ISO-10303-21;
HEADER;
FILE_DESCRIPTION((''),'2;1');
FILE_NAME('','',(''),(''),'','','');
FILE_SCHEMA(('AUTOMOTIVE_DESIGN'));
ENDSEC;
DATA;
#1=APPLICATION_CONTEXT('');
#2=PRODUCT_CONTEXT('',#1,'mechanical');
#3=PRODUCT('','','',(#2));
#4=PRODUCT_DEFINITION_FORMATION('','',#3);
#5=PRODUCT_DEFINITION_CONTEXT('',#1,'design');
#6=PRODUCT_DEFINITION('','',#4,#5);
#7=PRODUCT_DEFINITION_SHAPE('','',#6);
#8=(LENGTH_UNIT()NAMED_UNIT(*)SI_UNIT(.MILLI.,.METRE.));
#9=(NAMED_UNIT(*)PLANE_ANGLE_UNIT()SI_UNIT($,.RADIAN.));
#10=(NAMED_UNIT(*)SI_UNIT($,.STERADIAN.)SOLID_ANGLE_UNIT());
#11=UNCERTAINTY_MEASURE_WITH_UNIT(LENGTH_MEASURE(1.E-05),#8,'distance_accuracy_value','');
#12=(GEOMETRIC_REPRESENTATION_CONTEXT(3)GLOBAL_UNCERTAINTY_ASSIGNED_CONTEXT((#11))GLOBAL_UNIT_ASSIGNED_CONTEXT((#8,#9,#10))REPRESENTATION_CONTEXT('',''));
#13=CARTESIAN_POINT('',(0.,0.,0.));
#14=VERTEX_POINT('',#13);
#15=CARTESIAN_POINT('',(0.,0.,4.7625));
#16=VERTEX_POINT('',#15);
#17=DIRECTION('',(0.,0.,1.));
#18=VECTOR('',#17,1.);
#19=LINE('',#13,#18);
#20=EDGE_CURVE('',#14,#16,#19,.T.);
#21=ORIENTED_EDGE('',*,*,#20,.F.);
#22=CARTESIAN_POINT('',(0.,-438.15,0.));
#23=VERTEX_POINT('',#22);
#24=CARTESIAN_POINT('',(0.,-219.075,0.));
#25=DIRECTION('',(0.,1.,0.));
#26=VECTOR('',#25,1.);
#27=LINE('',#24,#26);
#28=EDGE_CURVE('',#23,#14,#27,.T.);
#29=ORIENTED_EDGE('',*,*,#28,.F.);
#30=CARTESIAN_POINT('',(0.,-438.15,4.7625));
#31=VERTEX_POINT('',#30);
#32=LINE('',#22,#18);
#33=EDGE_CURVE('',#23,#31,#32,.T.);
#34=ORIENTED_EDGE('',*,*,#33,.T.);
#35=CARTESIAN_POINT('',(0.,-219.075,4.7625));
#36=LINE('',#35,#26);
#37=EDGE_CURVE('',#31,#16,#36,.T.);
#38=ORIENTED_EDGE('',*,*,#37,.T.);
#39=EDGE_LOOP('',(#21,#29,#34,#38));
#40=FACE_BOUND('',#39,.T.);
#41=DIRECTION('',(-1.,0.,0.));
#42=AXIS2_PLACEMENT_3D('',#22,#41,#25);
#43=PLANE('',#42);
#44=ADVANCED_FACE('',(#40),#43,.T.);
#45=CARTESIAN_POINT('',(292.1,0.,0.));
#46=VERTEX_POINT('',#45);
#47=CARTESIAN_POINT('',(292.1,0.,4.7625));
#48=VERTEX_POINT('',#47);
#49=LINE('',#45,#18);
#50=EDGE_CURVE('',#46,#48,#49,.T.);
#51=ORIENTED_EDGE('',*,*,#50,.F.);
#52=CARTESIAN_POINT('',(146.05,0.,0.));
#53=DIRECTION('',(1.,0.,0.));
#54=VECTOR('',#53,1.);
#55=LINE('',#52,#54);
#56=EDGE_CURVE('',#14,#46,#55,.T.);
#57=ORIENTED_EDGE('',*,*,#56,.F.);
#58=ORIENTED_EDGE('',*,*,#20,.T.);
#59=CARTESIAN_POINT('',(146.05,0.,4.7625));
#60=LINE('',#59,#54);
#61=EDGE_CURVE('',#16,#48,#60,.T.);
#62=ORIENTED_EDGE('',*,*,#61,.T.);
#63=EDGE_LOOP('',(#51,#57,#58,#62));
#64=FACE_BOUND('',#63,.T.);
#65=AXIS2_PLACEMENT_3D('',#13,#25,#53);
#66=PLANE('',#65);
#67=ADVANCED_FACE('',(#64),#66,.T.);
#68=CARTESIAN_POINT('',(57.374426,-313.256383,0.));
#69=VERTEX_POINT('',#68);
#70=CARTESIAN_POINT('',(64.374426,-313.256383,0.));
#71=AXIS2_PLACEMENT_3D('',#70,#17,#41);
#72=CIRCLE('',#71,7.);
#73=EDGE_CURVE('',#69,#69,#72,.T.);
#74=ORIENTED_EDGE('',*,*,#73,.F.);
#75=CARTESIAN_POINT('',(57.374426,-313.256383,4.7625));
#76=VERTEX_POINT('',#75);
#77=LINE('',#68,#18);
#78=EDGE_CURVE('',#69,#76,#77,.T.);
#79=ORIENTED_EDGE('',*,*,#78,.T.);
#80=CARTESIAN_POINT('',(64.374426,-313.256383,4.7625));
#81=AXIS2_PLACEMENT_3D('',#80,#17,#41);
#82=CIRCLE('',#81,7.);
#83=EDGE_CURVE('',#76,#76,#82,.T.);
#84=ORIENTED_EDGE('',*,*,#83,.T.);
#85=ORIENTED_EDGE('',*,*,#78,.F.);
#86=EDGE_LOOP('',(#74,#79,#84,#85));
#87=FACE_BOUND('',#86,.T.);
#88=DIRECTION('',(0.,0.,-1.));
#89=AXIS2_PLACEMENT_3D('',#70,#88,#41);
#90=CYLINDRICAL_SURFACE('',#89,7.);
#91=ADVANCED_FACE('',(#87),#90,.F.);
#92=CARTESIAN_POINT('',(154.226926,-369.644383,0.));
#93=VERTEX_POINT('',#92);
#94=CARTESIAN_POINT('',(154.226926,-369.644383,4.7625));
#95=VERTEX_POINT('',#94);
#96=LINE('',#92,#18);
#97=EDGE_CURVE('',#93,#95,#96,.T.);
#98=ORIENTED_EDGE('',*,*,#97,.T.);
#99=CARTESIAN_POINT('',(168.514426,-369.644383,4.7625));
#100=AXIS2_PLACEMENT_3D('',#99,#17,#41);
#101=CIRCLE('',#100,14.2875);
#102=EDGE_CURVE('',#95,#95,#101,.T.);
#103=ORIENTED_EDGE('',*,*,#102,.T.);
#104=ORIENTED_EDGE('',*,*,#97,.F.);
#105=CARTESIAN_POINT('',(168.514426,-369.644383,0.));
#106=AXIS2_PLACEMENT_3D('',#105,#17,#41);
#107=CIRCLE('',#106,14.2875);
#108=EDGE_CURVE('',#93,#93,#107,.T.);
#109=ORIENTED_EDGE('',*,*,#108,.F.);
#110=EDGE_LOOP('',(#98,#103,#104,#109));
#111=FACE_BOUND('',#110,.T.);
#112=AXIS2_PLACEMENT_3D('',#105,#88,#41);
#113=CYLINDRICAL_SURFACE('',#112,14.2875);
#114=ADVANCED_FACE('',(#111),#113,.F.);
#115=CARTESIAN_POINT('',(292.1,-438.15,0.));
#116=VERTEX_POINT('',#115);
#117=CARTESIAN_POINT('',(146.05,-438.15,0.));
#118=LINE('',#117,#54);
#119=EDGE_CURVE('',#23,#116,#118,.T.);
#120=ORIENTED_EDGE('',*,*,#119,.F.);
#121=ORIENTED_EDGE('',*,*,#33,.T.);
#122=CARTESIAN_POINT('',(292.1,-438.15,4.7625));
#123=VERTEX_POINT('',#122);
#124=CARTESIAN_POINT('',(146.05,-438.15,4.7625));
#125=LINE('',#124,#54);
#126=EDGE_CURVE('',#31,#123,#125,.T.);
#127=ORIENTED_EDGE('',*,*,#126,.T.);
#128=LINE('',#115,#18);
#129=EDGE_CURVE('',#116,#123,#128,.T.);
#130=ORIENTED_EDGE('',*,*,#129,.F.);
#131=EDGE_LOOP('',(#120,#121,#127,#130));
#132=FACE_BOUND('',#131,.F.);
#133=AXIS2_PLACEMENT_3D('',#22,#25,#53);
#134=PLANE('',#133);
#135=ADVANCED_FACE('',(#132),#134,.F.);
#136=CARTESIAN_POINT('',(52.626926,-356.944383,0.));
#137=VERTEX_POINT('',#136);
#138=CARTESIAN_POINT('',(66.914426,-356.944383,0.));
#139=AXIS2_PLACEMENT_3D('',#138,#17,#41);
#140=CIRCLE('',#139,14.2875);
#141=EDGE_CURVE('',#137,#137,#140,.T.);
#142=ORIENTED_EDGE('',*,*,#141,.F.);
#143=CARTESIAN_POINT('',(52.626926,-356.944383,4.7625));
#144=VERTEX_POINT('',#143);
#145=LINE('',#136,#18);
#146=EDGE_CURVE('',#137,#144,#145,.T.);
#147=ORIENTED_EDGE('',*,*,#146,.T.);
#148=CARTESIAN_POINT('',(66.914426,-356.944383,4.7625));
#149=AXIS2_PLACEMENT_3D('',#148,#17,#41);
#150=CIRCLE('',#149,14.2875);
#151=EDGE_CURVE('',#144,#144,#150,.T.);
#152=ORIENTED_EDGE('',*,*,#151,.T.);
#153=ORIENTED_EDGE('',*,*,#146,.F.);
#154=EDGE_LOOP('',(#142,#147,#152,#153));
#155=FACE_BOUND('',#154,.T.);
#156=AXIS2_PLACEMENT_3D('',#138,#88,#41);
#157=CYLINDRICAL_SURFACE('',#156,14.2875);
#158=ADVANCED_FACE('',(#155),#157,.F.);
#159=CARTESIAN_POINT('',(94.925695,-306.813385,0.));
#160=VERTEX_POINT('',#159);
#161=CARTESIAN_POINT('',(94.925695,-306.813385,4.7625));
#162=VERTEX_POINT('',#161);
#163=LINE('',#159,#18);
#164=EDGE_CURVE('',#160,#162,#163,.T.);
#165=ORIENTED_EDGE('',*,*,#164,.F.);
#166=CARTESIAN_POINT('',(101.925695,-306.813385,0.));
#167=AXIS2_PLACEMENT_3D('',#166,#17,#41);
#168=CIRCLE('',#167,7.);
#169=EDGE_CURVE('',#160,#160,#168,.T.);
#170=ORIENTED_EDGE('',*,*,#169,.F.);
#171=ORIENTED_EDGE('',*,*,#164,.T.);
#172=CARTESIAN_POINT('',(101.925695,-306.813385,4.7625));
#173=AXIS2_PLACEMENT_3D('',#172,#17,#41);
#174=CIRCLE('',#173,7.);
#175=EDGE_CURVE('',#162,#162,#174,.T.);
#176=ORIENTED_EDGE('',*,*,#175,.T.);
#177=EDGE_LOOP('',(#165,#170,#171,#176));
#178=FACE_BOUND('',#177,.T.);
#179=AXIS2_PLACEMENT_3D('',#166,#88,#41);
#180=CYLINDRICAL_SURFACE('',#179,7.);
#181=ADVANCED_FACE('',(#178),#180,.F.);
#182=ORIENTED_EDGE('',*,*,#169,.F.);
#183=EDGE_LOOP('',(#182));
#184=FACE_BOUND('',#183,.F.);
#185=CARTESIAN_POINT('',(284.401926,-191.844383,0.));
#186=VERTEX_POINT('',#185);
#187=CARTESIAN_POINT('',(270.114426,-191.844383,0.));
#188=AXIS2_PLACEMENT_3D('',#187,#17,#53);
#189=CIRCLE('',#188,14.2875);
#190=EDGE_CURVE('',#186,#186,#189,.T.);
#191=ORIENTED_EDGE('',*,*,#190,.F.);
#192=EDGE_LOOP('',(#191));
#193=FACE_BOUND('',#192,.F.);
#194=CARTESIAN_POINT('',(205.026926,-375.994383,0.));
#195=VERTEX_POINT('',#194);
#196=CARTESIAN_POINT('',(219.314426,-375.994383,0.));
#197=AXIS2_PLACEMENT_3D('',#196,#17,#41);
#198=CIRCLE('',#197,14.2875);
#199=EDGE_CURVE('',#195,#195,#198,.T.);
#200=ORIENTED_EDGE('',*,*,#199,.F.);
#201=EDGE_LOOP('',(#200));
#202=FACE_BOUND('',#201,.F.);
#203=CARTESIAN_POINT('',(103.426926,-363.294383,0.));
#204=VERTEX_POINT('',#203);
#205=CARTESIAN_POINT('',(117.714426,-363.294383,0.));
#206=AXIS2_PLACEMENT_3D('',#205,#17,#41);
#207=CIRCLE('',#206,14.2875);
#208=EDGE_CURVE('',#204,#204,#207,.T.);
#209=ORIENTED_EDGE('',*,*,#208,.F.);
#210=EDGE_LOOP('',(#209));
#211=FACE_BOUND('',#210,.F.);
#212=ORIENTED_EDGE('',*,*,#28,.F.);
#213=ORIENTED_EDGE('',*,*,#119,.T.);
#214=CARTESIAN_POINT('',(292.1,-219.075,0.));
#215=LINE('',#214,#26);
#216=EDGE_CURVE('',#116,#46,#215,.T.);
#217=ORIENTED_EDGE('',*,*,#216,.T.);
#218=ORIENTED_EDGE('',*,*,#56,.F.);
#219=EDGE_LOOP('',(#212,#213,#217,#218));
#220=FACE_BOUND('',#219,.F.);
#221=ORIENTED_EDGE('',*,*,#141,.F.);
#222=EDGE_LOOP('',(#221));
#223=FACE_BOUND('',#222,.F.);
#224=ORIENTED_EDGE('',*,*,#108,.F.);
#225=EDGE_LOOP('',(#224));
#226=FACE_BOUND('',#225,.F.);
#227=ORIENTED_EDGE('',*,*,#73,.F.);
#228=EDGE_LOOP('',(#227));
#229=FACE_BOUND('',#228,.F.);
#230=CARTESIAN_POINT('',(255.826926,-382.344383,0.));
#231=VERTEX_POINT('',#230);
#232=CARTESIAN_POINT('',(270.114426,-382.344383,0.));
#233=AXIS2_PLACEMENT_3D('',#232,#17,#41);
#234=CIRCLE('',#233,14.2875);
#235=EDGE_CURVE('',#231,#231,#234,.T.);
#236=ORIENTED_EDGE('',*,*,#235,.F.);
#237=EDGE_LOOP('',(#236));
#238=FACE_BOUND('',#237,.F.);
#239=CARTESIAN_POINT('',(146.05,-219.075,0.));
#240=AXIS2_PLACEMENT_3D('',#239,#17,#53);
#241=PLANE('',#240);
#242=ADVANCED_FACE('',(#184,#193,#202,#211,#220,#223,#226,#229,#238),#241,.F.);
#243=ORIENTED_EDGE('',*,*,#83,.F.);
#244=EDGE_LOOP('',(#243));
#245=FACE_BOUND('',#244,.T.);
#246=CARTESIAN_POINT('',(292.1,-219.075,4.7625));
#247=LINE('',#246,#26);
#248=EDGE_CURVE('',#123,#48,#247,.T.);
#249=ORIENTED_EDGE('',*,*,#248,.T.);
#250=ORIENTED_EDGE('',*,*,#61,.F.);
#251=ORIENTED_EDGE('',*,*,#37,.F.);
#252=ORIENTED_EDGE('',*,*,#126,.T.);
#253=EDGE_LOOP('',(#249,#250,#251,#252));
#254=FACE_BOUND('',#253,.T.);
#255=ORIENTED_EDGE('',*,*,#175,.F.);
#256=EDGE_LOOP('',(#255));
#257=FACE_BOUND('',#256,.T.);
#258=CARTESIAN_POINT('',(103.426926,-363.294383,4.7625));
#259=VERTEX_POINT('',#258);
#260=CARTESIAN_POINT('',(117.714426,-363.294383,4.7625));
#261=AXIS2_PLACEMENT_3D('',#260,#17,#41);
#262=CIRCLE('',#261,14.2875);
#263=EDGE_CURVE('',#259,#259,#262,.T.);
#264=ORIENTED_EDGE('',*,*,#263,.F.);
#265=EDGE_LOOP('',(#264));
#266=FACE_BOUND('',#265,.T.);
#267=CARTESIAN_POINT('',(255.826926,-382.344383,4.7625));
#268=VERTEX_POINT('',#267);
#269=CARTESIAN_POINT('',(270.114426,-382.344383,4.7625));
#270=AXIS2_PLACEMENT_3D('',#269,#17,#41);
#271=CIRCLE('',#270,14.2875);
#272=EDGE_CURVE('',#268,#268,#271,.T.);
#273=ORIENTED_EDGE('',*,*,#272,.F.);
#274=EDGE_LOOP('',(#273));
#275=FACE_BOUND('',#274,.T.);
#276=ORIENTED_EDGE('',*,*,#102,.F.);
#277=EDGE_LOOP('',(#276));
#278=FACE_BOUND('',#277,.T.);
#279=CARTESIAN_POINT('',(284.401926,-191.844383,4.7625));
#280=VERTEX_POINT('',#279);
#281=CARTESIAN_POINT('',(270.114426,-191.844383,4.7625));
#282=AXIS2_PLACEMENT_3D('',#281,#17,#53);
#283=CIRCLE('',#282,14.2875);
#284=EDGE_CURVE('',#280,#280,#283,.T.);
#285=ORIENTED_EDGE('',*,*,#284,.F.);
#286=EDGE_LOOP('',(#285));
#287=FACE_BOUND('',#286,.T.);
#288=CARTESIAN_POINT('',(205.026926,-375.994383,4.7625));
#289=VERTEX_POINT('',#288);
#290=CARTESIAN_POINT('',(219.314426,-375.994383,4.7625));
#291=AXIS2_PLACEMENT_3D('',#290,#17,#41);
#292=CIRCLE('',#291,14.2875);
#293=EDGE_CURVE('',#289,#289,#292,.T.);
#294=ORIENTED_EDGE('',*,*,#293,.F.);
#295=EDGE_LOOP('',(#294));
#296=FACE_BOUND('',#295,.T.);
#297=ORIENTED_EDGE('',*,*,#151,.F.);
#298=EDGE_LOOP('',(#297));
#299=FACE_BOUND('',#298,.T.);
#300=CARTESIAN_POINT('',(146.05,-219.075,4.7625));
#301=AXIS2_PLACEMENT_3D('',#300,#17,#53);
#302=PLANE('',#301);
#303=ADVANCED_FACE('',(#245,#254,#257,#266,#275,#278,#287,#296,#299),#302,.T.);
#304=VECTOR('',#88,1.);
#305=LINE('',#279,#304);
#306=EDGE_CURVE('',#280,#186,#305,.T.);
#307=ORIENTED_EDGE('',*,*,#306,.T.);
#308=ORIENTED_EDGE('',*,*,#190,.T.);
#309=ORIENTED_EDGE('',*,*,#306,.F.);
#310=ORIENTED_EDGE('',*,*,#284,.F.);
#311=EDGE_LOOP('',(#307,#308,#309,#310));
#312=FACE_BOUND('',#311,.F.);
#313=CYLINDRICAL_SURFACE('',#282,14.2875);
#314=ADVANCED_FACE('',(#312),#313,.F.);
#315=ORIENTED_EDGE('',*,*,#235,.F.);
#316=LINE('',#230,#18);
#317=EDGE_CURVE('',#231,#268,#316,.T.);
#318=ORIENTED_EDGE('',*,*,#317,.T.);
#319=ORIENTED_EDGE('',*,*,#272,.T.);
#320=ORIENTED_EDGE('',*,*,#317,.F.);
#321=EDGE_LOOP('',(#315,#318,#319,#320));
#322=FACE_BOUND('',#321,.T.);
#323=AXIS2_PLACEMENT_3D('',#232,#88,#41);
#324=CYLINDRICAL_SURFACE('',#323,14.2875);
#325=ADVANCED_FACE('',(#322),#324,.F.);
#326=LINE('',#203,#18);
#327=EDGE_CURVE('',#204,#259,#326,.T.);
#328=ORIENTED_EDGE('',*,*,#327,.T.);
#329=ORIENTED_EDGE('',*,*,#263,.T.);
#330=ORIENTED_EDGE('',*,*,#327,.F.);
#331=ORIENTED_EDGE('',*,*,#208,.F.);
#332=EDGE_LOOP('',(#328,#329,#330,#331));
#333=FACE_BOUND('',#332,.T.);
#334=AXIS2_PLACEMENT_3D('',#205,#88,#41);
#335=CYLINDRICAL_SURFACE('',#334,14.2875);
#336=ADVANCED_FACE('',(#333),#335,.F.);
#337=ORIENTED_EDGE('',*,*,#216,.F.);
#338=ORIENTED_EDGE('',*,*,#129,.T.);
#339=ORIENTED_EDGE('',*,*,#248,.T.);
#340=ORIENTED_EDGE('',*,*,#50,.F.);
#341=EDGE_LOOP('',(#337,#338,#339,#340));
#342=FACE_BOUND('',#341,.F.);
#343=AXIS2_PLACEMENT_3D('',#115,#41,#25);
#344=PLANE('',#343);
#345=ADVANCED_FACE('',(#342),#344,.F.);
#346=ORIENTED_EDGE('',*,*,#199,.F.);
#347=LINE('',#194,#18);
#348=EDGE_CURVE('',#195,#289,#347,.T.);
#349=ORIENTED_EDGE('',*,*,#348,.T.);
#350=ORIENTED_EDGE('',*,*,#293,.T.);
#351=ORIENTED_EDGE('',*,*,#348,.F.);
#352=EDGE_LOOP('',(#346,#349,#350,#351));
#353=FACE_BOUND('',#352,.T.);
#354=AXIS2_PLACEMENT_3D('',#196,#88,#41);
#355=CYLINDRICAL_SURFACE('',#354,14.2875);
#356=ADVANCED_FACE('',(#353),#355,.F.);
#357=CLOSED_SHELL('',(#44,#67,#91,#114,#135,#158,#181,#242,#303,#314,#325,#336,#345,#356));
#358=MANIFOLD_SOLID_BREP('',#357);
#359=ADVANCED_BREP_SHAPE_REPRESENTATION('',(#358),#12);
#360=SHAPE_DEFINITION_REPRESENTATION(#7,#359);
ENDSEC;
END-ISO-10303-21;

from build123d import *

# Parameters (mm, degrees)
SKETCH1_W           = 292.1
SKETCH1_H           = 438.15
SKETCH1_R           = 7
SKETCH1_R_2         = 14.2875
BOSS_EXTRUDE1_DEPTH = 4.7625
SKETCH2_R           = 14.2875
CUT_EXTRUDE3_DEPTH  = 10.668


with BuildPart() as part:
    # Sketch1 → Boss-Extrude1 (new body)
    with BuildSketch(Plane.XY):
        with Locations((146.05, -219.075)):
            Rectangle(SKETCH1_W, SKETCH1_H)
        with Locations(Location((101.925695163, -306.813385495, 0), (0, 0, 180))):
            Circle(SKETCH1_R, mode=Mode.SUBTRACT)
        with Locations(Location((64.374426387, -313.256382727, 0), (0, 0, 180))):
            Circle(SKETCH1_R, mode=Mode.SUBTRACT)
        with Locations(Location((66.914426387, -356.944382727, 0), (0, 0, 180))):
            Circle(SKETCH1_R_2, mode=Mode.SUBTRACT)
        with Locations(Location((117.714426387, -363.294382727, 0), (0, 0, 180))):
            Circle(SKETCH1_R_2, mode=Mode.SUBTRACT)
        with Locations(Location((168.514426387, -369.644382727, 0), (0, 0, 180))):
            Circle(SKETCH1_R_2, mode=Mode.SUBTRACT)
        with Locations(Location((219.314426387, -375.994382727, 0), (0, 0, 180))):
            Circle(SKETCH1_R_2, mode=Mode.SUBTRACT)
        with Locations(Location((270.114426387, -382.344382727, 0), (0, 0, 180))):
            Circle(SKETCH1_R_2, mode=Mode.SUBTRACT)
    extrude(amount=BOSS_EXTRUDE1_DEPTH)

    # Sketch2 → Cut-Extrude3 (cut)
    with BuildSketch(Plane.XY.offset(4.7625)):
        with Locations((270.114426387, -191.844382727)):
            Circle(SKETCH2_R)
    extrude(amount=-CUT_EXTRUDE3_DEPTH, mode=Mode.SUBTRACT)


solid = part.part
